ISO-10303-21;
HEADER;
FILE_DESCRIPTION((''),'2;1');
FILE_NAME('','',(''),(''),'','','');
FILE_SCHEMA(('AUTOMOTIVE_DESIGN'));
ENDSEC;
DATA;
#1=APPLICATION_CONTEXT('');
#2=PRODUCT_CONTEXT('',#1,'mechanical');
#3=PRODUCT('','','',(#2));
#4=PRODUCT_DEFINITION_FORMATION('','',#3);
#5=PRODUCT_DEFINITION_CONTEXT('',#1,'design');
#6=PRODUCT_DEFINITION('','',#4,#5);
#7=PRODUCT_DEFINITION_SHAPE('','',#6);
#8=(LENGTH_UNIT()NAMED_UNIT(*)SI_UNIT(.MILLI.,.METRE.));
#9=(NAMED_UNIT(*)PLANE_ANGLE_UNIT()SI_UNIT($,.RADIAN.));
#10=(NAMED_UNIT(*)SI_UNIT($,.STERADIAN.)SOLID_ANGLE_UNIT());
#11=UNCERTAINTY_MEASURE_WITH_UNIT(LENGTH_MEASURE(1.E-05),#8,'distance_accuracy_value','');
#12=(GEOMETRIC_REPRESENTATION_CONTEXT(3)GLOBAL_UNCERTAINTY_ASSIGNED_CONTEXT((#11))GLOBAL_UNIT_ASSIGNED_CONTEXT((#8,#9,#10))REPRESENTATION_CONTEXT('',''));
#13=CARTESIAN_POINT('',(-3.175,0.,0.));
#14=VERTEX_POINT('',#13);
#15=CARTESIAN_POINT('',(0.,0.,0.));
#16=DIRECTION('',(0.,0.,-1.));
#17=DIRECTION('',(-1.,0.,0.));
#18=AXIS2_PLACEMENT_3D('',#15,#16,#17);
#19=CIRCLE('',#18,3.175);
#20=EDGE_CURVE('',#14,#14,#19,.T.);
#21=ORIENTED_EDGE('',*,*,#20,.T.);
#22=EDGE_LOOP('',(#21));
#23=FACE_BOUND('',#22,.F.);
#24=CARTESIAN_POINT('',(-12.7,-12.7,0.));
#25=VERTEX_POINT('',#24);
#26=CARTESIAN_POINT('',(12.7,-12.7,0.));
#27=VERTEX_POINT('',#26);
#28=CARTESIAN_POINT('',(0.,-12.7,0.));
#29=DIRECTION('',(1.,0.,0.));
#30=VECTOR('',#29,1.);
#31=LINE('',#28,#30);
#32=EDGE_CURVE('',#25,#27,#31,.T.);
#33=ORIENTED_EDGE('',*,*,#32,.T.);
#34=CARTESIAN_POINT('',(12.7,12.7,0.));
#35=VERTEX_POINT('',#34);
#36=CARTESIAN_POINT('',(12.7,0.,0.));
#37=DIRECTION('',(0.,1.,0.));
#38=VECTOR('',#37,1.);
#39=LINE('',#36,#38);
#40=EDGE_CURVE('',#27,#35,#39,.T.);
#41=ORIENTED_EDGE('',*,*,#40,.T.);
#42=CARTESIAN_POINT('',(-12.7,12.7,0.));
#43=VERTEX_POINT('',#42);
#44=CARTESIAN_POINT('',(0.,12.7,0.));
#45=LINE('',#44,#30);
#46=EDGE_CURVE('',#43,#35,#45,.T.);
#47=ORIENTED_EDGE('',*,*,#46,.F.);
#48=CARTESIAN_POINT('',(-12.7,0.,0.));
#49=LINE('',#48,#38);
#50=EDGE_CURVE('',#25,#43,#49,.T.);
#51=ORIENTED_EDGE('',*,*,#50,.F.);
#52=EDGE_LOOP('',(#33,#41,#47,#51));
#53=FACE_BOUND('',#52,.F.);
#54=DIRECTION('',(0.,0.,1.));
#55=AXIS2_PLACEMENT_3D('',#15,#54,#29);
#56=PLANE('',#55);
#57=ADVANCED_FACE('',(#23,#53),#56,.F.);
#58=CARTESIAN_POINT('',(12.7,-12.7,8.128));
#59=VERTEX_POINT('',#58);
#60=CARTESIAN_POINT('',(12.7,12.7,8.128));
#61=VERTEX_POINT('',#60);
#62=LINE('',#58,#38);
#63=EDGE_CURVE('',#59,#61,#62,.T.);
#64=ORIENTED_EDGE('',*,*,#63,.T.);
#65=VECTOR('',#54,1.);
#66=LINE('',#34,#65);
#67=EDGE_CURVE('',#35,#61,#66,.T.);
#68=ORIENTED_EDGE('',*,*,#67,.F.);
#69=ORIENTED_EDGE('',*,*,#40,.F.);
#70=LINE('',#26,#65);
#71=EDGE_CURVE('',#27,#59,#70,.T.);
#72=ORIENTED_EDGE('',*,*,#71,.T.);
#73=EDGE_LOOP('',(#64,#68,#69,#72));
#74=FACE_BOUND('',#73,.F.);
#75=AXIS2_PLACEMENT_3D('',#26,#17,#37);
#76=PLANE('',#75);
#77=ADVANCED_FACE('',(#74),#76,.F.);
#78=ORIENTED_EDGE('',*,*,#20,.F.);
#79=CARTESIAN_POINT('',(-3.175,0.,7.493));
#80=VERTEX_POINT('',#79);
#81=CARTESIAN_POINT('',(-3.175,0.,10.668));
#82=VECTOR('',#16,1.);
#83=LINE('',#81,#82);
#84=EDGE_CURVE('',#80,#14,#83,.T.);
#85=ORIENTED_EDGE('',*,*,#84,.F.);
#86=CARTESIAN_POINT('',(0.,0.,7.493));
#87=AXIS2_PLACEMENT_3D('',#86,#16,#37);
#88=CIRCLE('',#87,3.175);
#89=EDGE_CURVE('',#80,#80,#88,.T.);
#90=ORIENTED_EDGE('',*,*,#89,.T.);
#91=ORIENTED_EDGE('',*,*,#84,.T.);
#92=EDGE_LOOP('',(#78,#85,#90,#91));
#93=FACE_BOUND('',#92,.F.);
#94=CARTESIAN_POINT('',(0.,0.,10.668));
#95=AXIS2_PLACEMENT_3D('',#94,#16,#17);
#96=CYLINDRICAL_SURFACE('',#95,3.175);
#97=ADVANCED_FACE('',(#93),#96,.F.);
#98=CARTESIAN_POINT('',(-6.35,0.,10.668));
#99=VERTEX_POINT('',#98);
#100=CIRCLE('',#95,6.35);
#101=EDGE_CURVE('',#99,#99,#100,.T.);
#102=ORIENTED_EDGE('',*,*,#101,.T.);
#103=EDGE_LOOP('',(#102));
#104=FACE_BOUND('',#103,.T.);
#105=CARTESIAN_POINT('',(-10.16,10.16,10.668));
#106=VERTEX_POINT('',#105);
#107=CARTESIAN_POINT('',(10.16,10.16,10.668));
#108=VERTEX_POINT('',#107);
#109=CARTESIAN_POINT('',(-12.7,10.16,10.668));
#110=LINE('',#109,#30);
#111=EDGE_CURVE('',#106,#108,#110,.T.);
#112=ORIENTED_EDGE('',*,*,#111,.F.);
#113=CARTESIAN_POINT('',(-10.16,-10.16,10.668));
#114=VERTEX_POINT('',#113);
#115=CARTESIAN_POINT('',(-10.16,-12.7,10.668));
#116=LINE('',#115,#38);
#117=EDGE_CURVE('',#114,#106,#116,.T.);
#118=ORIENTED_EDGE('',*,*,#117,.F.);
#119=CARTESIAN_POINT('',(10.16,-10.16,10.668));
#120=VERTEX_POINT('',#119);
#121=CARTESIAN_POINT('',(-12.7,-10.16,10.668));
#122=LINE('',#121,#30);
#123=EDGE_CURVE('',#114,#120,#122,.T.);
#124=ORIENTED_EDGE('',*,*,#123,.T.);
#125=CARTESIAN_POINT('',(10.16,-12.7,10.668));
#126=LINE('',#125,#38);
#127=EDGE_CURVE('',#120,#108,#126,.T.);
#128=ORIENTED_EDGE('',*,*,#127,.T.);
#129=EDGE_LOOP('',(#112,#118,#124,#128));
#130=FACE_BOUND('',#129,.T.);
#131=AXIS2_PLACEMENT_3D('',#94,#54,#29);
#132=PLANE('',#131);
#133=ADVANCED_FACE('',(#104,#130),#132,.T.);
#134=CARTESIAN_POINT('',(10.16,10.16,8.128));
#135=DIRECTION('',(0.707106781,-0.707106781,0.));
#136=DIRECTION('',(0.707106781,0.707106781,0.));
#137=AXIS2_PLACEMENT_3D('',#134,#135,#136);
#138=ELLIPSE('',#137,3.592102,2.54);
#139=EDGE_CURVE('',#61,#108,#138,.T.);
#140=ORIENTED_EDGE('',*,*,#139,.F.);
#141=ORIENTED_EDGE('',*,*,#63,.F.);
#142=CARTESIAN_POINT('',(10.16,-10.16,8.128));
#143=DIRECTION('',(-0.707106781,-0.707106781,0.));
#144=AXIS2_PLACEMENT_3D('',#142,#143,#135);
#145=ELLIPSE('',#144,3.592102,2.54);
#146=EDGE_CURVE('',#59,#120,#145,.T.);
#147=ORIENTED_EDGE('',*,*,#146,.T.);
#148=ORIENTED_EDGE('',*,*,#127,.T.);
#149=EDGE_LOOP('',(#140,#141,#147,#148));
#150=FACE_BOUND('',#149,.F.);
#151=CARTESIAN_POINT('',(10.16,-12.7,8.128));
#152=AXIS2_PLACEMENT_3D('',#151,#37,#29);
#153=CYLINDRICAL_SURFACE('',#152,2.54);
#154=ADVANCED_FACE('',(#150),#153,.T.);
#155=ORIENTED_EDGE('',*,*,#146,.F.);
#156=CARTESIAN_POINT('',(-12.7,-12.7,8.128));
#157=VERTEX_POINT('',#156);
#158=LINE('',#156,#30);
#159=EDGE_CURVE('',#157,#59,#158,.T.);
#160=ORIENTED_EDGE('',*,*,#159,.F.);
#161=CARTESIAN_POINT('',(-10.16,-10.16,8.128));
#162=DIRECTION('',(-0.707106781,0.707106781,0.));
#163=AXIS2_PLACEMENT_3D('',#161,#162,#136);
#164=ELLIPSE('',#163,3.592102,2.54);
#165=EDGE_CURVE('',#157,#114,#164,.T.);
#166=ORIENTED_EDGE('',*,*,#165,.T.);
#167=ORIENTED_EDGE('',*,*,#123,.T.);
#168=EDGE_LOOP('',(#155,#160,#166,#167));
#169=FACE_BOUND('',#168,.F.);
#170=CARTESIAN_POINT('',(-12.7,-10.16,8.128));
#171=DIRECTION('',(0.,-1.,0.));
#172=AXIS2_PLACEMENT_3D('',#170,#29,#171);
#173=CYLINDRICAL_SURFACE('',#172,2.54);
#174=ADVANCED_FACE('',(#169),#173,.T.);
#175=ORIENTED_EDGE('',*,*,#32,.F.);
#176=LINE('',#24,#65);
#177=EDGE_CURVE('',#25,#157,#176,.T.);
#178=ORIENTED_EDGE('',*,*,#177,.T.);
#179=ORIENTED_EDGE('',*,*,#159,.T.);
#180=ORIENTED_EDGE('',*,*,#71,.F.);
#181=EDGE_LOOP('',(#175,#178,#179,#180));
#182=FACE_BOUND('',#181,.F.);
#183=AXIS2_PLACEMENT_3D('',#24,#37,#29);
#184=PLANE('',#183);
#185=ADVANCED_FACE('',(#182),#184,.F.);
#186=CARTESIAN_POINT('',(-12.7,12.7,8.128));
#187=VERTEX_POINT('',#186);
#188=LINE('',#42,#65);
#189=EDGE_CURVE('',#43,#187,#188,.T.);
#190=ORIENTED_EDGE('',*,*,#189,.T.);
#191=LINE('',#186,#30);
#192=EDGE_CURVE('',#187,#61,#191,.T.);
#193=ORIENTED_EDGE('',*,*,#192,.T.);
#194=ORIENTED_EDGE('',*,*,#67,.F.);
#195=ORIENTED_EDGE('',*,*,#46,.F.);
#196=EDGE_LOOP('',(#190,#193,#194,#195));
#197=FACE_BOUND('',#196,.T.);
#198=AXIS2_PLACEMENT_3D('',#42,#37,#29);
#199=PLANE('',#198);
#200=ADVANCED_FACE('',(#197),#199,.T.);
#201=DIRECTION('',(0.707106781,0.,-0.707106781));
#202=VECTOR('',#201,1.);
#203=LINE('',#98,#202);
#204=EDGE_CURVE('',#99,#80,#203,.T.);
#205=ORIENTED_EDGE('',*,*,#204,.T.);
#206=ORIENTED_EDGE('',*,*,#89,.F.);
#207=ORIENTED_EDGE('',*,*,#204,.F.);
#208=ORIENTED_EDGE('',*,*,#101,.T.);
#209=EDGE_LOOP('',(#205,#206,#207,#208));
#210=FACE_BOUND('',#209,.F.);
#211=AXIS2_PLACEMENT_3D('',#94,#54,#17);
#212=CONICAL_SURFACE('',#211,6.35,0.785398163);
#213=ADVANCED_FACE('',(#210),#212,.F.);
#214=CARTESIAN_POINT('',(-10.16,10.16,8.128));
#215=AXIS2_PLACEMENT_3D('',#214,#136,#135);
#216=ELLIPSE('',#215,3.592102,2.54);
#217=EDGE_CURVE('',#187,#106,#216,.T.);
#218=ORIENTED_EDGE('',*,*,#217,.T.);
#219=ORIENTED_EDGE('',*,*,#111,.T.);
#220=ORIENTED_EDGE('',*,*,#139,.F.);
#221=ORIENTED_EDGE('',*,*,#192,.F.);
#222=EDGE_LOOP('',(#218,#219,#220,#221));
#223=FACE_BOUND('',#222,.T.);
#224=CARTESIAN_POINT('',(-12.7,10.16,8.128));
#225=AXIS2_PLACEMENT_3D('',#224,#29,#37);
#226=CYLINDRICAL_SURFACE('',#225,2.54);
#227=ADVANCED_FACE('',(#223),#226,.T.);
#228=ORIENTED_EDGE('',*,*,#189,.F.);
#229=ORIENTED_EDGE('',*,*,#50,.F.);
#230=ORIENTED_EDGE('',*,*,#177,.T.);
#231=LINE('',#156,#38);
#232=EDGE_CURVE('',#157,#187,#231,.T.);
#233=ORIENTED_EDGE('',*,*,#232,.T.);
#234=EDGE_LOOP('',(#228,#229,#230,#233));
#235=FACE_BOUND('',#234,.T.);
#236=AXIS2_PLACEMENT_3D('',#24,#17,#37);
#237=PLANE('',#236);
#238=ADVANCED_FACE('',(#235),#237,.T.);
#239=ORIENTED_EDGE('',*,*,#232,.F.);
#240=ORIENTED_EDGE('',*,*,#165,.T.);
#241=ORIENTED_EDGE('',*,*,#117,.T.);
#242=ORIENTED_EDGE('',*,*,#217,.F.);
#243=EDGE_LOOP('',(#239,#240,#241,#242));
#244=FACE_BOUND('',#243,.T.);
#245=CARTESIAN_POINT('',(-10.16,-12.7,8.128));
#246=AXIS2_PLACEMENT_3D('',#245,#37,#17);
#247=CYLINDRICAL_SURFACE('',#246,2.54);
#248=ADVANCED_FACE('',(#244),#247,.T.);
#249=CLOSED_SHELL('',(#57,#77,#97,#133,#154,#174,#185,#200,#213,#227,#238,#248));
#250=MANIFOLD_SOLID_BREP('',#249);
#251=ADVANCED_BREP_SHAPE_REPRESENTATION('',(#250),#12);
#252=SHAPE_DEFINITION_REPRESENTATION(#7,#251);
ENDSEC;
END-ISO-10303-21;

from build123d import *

# Parameters (mm, degrees)
F0_W           = 25.4
F0_H           = 25.4
F1_DEPTH       = 10.668
F2_R           = 2.54
F4_D           = 6.35
F4_CSINK_D     = 12.7
F4_CSINK_ANGLE = 90


with BuildPart() as f1:
    # F0 (on Top) → F1 (new body)
    with BuildSketch(Plane.XY):
        Rectangle(F0_W, F0_H)
    extrude(amount=F1_DEPTH)

    # F2
    f2_edges = [f1.edges().sort_by_distance(p)[0] for p in [
        (0, -12.7, 10.668),
        (0, 12.7, 10.668),
        (12.7, 0, 10.668),
        (-12.7, 0, 10.668),
    ]]
    fillet(f2_edges, radius=F2_R)

    # F4 (through all)
    with Locations(Plane.XY.offset(10.668)):
        with Locations((0, 0)):
            CounterSinkHole(F4_D / 2, F4_CSINK_D / 2, counter_sink_angle=F4_CSINK_ANGLE)


solid = f1.part
